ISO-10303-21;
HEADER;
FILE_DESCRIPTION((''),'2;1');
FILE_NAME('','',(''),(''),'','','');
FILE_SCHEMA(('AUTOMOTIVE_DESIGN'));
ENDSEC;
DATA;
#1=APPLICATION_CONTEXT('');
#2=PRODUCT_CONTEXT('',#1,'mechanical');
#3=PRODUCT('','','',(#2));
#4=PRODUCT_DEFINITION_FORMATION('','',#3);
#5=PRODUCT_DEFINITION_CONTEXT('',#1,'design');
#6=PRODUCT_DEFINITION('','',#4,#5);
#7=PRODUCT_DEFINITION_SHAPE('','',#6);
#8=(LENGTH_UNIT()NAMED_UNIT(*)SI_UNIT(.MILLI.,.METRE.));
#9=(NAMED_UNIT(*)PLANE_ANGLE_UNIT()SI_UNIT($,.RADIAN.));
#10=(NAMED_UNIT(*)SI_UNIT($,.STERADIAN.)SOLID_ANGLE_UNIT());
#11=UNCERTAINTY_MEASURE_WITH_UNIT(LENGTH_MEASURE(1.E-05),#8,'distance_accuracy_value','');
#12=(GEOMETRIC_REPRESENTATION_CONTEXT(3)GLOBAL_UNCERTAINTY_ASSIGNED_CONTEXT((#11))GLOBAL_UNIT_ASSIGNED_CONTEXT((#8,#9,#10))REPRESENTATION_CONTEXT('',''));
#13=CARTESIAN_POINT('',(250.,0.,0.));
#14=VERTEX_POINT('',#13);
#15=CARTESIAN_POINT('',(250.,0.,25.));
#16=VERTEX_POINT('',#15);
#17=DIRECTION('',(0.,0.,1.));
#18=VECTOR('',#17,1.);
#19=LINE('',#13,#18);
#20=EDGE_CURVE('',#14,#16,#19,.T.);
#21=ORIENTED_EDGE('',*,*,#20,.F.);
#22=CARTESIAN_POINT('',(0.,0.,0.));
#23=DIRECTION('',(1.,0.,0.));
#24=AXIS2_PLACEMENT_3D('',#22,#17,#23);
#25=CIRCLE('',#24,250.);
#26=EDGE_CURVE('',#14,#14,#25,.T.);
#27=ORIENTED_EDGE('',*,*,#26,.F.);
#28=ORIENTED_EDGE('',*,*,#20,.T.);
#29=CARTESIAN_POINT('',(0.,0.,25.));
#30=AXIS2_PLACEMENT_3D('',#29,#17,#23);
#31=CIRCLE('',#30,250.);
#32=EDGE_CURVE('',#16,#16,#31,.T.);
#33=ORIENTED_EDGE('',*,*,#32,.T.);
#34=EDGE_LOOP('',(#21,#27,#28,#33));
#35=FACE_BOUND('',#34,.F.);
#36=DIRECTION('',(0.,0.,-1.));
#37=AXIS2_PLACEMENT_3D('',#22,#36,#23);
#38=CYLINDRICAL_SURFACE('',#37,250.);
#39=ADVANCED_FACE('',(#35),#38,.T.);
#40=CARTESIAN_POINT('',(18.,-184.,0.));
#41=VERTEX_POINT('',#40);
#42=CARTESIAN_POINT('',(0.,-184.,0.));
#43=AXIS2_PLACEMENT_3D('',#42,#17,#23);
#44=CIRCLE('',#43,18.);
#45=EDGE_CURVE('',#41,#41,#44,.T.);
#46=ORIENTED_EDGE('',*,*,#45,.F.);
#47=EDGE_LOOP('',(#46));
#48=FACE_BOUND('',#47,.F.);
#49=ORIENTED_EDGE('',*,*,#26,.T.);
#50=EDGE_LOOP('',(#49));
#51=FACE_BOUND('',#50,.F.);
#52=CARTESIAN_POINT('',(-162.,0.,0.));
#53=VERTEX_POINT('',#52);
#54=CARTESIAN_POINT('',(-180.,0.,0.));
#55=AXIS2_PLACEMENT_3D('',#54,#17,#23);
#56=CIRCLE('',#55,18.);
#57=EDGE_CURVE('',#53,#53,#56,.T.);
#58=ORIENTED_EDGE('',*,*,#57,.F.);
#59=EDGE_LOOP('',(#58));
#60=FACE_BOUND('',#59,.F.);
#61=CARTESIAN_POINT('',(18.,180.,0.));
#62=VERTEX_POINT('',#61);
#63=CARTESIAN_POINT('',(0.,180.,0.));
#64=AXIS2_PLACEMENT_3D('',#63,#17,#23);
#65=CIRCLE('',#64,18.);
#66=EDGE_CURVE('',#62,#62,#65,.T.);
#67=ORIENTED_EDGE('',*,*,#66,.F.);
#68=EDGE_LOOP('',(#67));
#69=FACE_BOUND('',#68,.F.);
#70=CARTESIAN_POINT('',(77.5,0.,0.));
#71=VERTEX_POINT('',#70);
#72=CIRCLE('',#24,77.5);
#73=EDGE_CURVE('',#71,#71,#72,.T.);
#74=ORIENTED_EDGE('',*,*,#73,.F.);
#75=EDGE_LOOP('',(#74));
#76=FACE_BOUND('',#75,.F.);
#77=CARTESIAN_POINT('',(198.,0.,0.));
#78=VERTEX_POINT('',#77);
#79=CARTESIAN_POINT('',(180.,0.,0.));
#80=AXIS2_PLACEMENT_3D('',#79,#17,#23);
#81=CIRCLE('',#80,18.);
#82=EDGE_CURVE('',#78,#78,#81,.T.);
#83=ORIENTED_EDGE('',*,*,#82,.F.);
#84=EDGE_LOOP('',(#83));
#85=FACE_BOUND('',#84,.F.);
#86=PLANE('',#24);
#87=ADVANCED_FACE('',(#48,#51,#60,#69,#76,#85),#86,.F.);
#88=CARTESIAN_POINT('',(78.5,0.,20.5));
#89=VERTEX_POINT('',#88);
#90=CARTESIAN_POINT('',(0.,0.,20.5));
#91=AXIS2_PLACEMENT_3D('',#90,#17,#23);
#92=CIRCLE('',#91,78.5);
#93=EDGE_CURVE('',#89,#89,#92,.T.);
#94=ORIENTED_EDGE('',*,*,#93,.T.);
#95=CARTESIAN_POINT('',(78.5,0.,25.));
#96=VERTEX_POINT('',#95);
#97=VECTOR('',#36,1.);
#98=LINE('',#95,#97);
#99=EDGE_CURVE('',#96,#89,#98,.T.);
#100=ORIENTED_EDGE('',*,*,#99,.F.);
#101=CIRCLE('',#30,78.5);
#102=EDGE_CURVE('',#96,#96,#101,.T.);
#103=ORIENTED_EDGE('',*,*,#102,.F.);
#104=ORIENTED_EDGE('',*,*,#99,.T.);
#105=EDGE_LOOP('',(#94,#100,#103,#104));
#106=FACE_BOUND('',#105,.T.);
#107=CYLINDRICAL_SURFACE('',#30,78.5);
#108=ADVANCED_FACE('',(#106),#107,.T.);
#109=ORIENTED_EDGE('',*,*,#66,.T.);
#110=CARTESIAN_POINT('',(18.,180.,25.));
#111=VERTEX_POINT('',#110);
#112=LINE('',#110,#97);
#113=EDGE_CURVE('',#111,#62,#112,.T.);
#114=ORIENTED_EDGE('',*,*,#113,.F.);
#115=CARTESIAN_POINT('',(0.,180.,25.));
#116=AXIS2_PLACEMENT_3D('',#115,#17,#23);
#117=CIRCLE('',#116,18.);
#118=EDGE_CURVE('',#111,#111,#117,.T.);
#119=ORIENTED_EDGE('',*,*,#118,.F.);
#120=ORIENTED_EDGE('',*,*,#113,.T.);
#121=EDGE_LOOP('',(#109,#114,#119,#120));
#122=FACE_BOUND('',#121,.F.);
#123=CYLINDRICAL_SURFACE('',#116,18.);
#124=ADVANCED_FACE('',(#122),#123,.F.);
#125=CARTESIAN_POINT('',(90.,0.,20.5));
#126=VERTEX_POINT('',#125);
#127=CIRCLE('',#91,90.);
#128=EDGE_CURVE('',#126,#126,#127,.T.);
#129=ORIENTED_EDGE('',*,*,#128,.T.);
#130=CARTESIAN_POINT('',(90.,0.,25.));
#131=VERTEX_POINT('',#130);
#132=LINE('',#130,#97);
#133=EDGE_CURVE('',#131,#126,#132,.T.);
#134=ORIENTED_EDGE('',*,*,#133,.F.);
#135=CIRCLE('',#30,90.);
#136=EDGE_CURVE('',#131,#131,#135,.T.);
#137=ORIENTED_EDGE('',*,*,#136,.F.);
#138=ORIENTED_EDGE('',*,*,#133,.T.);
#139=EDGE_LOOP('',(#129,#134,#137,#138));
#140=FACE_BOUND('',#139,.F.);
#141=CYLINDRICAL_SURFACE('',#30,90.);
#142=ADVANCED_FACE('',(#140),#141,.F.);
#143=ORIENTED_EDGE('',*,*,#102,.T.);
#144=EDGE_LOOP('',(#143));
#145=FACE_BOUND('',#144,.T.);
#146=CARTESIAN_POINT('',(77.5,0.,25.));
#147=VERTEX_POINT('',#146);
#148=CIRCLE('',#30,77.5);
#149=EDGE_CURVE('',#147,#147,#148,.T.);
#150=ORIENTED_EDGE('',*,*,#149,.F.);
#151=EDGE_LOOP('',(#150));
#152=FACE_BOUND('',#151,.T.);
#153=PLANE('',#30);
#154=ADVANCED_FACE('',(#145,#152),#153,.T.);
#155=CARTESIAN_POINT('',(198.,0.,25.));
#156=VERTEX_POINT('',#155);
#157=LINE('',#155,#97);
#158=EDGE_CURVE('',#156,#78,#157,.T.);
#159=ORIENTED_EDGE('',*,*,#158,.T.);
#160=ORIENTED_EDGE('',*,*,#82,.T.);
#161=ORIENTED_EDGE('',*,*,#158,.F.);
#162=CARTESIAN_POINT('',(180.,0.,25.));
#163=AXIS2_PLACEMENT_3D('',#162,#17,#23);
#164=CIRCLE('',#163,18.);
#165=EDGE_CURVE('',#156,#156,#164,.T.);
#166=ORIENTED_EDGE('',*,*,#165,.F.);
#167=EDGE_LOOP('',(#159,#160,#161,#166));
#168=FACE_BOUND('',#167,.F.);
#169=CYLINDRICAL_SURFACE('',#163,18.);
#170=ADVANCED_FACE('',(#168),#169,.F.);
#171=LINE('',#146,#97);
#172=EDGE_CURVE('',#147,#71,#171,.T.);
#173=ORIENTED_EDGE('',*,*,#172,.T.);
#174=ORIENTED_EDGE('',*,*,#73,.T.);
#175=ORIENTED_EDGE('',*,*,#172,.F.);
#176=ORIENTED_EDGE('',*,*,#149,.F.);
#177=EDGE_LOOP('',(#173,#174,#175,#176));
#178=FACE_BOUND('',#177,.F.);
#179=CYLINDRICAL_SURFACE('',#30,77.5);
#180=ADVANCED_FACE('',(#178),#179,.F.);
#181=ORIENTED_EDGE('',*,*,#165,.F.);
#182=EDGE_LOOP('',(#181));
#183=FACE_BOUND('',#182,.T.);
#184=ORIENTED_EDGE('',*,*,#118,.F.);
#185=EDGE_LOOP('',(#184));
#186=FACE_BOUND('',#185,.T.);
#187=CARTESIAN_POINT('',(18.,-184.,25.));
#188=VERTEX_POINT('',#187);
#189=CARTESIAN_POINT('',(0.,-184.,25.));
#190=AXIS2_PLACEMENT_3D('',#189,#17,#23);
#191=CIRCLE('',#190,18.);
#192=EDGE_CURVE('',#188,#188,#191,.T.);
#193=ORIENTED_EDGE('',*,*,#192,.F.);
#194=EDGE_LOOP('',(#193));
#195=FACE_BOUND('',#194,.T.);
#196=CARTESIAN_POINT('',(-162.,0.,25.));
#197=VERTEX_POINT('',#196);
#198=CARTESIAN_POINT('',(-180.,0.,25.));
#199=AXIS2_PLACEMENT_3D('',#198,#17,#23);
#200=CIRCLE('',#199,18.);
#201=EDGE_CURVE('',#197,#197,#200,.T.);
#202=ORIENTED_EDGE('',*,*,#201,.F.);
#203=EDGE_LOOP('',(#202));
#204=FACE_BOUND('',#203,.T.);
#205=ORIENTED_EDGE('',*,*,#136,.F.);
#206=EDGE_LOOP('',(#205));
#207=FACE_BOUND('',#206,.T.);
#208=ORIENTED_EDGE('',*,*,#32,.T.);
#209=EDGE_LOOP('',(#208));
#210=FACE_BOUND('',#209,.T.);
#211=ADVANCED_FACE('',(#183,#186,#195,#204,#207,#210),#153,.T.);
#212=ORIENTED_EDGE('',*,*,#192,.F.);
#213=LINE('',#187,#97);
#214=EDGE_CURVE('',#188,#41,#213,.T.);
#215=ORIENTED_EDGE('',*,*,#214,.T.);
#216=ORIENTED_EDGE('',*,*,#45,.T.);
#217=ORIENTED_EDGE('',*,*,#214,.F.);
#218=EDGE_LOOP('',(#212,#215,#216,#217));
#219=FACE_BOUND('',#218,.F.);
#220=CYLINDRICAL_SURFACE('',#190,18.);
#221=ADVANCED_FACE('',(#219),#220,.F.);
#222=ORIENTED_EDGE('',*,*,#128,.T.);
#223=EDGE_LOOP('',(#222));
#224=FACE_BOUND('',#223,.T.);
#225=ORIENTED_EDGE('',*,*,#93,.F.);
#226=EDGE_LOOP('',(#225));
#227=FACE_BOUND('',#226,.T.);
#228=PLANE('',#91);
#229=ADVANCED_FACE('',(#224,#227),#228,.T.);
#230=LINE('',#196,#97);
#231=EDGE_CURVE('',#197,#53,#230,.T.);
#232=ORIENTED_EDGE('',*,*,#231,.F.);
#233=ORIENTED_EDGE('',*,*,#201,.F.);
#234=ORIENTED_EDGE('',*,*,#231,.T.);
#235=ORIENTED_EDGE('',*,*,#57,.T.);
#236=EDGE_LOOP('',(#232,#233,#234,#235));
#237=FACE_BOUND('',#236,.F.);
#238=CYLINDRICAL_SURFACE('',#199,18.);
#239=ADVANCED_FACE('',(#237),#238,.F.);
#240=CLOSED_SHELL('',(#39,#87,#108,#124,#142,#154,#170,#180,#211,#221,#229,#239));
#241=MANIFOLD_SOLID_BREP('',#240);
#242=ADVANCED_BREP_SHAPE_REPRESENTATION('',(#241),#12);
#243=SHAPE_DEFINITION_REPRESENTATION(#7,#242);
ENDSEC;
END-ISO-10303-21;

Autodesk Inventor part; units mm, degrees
ref_plane "YZ Plane" through (0, 0, 0) normal (1, 0, 0) x (0, 1, 0)
ref_plane "XZ Plane" through (0, 0, 0) normal (0, 1, 0) x (-1, 0, 0)
ref_plane "XY Plane" through (0, 0, 0) normal (0, 0, 1) x (1, 0, 0)
sketch "Szkic1" plane through (0, 0, 0) normal (0, 0, 1) x (1, 0, 0)
  circle A0 centre (0, 0) radius 250
  dimension "d0" = 500
extrude "Wyciągnięcie proste1" add sketch "Szkic1" along normal blind 25
sketch "Szkic2" plane through (0, 0, 25) normal (0, 0, 1) x (1, 0, 0)
  circle A0 centre (0, 180) radius 18
  circle A1 centre (180, 0) radius 18
  circle A2 centre (0, -184) radius 18
  circle A3 centre (-180, 0) radius 18
  point P0 (0, 0)
  dimension "d3" = 36
  dimension "d4" = 36
  dimension "d5" = 36
  dimension "d6" = 36
extrude "Wyciągnięcie proste2" cut sketch "Szkic2" against normal blind 25
thread "Gwint1" size "M36x4" class "6H" standard "ANSI Metric M Profile" full length
thread "Gwint2" size "M36x4" class "6H" standard "ANSI Metric M Profile" full length
thread "Gwint3" size "M36x4" class "6H" standard "ANSI Metric M Profile" full length
thread "Gwint4" size "M36x4" class "6H" standard "ANSI Metric M Profile" full length
sketch "Szkic3" plane through (0, 0, 25) normal (0, 0, 1) x (1, 0, 0)
  circle A0 centre (0, 0) radius 85
  dimension "d17" = 170
extrude "Wyciągnięcie proste3" cut sketch "Szkic3" against normal blind 200
sketch "Szkic4" plane through (0, 0, 25) normal (0, 0, 1) x (1, 0, 0)
  circle A0 centre (0, 0) radius 77.5
  dimension "d20" = 155
sketch "Szkic5" plane through (0, 0, 25) normal (0, 0, 1) x (1, 0, 0)
  circle A0 centre (0, 0) radius 85
  dimension "d21" = 170
extrude "Wyciągnięcie proste4" add sketch "Szkic5" against normal blind 25
extrude "Wyciągnięcie proste5" cut sketch "Szkic4" against normal blind 25
sketch "Szkic6" plane through (0, 0, 25) normal (0, 0, 1) x (1, 0, 0)
  circle A0 centre (0, 0) radius 82
  circle A1 centre (0, 0) radius 87
  dimension "d26" = 164
  dimension "d27" = 174
extrude "Wyciągnięcie proste6" cut sketch "Szkic6" against normal blind 4.5
sketch "Szkic7" plane through (0, 0, 25) normal (0, 0, 1) x (1, 0, 0)
  circle A0 centre (0, 0) radius 79.5
  circle A1 centre (0, 0) radius 84.5
  dimension "d30" = 159
  dimension "d31" = 169
extrude "Wyciągnięcie proste7" cut sketch "Szkic7" against normal blind 4.5
sketch "Szkic8" plane through (0, 0, 25) normal (0, 0, 1) x (1, 0, 0)
  circle A0 centre (0, 0) radius 78.5
  circle A1 centre (0, 0) radius 90
  dimension "d34" = 157
  dimension "d36" = 180
extrude "Wyciągnięcie proste8" cut sketch "Szkic8" against normal blind 4.5
properties part number "pięćśetka"
